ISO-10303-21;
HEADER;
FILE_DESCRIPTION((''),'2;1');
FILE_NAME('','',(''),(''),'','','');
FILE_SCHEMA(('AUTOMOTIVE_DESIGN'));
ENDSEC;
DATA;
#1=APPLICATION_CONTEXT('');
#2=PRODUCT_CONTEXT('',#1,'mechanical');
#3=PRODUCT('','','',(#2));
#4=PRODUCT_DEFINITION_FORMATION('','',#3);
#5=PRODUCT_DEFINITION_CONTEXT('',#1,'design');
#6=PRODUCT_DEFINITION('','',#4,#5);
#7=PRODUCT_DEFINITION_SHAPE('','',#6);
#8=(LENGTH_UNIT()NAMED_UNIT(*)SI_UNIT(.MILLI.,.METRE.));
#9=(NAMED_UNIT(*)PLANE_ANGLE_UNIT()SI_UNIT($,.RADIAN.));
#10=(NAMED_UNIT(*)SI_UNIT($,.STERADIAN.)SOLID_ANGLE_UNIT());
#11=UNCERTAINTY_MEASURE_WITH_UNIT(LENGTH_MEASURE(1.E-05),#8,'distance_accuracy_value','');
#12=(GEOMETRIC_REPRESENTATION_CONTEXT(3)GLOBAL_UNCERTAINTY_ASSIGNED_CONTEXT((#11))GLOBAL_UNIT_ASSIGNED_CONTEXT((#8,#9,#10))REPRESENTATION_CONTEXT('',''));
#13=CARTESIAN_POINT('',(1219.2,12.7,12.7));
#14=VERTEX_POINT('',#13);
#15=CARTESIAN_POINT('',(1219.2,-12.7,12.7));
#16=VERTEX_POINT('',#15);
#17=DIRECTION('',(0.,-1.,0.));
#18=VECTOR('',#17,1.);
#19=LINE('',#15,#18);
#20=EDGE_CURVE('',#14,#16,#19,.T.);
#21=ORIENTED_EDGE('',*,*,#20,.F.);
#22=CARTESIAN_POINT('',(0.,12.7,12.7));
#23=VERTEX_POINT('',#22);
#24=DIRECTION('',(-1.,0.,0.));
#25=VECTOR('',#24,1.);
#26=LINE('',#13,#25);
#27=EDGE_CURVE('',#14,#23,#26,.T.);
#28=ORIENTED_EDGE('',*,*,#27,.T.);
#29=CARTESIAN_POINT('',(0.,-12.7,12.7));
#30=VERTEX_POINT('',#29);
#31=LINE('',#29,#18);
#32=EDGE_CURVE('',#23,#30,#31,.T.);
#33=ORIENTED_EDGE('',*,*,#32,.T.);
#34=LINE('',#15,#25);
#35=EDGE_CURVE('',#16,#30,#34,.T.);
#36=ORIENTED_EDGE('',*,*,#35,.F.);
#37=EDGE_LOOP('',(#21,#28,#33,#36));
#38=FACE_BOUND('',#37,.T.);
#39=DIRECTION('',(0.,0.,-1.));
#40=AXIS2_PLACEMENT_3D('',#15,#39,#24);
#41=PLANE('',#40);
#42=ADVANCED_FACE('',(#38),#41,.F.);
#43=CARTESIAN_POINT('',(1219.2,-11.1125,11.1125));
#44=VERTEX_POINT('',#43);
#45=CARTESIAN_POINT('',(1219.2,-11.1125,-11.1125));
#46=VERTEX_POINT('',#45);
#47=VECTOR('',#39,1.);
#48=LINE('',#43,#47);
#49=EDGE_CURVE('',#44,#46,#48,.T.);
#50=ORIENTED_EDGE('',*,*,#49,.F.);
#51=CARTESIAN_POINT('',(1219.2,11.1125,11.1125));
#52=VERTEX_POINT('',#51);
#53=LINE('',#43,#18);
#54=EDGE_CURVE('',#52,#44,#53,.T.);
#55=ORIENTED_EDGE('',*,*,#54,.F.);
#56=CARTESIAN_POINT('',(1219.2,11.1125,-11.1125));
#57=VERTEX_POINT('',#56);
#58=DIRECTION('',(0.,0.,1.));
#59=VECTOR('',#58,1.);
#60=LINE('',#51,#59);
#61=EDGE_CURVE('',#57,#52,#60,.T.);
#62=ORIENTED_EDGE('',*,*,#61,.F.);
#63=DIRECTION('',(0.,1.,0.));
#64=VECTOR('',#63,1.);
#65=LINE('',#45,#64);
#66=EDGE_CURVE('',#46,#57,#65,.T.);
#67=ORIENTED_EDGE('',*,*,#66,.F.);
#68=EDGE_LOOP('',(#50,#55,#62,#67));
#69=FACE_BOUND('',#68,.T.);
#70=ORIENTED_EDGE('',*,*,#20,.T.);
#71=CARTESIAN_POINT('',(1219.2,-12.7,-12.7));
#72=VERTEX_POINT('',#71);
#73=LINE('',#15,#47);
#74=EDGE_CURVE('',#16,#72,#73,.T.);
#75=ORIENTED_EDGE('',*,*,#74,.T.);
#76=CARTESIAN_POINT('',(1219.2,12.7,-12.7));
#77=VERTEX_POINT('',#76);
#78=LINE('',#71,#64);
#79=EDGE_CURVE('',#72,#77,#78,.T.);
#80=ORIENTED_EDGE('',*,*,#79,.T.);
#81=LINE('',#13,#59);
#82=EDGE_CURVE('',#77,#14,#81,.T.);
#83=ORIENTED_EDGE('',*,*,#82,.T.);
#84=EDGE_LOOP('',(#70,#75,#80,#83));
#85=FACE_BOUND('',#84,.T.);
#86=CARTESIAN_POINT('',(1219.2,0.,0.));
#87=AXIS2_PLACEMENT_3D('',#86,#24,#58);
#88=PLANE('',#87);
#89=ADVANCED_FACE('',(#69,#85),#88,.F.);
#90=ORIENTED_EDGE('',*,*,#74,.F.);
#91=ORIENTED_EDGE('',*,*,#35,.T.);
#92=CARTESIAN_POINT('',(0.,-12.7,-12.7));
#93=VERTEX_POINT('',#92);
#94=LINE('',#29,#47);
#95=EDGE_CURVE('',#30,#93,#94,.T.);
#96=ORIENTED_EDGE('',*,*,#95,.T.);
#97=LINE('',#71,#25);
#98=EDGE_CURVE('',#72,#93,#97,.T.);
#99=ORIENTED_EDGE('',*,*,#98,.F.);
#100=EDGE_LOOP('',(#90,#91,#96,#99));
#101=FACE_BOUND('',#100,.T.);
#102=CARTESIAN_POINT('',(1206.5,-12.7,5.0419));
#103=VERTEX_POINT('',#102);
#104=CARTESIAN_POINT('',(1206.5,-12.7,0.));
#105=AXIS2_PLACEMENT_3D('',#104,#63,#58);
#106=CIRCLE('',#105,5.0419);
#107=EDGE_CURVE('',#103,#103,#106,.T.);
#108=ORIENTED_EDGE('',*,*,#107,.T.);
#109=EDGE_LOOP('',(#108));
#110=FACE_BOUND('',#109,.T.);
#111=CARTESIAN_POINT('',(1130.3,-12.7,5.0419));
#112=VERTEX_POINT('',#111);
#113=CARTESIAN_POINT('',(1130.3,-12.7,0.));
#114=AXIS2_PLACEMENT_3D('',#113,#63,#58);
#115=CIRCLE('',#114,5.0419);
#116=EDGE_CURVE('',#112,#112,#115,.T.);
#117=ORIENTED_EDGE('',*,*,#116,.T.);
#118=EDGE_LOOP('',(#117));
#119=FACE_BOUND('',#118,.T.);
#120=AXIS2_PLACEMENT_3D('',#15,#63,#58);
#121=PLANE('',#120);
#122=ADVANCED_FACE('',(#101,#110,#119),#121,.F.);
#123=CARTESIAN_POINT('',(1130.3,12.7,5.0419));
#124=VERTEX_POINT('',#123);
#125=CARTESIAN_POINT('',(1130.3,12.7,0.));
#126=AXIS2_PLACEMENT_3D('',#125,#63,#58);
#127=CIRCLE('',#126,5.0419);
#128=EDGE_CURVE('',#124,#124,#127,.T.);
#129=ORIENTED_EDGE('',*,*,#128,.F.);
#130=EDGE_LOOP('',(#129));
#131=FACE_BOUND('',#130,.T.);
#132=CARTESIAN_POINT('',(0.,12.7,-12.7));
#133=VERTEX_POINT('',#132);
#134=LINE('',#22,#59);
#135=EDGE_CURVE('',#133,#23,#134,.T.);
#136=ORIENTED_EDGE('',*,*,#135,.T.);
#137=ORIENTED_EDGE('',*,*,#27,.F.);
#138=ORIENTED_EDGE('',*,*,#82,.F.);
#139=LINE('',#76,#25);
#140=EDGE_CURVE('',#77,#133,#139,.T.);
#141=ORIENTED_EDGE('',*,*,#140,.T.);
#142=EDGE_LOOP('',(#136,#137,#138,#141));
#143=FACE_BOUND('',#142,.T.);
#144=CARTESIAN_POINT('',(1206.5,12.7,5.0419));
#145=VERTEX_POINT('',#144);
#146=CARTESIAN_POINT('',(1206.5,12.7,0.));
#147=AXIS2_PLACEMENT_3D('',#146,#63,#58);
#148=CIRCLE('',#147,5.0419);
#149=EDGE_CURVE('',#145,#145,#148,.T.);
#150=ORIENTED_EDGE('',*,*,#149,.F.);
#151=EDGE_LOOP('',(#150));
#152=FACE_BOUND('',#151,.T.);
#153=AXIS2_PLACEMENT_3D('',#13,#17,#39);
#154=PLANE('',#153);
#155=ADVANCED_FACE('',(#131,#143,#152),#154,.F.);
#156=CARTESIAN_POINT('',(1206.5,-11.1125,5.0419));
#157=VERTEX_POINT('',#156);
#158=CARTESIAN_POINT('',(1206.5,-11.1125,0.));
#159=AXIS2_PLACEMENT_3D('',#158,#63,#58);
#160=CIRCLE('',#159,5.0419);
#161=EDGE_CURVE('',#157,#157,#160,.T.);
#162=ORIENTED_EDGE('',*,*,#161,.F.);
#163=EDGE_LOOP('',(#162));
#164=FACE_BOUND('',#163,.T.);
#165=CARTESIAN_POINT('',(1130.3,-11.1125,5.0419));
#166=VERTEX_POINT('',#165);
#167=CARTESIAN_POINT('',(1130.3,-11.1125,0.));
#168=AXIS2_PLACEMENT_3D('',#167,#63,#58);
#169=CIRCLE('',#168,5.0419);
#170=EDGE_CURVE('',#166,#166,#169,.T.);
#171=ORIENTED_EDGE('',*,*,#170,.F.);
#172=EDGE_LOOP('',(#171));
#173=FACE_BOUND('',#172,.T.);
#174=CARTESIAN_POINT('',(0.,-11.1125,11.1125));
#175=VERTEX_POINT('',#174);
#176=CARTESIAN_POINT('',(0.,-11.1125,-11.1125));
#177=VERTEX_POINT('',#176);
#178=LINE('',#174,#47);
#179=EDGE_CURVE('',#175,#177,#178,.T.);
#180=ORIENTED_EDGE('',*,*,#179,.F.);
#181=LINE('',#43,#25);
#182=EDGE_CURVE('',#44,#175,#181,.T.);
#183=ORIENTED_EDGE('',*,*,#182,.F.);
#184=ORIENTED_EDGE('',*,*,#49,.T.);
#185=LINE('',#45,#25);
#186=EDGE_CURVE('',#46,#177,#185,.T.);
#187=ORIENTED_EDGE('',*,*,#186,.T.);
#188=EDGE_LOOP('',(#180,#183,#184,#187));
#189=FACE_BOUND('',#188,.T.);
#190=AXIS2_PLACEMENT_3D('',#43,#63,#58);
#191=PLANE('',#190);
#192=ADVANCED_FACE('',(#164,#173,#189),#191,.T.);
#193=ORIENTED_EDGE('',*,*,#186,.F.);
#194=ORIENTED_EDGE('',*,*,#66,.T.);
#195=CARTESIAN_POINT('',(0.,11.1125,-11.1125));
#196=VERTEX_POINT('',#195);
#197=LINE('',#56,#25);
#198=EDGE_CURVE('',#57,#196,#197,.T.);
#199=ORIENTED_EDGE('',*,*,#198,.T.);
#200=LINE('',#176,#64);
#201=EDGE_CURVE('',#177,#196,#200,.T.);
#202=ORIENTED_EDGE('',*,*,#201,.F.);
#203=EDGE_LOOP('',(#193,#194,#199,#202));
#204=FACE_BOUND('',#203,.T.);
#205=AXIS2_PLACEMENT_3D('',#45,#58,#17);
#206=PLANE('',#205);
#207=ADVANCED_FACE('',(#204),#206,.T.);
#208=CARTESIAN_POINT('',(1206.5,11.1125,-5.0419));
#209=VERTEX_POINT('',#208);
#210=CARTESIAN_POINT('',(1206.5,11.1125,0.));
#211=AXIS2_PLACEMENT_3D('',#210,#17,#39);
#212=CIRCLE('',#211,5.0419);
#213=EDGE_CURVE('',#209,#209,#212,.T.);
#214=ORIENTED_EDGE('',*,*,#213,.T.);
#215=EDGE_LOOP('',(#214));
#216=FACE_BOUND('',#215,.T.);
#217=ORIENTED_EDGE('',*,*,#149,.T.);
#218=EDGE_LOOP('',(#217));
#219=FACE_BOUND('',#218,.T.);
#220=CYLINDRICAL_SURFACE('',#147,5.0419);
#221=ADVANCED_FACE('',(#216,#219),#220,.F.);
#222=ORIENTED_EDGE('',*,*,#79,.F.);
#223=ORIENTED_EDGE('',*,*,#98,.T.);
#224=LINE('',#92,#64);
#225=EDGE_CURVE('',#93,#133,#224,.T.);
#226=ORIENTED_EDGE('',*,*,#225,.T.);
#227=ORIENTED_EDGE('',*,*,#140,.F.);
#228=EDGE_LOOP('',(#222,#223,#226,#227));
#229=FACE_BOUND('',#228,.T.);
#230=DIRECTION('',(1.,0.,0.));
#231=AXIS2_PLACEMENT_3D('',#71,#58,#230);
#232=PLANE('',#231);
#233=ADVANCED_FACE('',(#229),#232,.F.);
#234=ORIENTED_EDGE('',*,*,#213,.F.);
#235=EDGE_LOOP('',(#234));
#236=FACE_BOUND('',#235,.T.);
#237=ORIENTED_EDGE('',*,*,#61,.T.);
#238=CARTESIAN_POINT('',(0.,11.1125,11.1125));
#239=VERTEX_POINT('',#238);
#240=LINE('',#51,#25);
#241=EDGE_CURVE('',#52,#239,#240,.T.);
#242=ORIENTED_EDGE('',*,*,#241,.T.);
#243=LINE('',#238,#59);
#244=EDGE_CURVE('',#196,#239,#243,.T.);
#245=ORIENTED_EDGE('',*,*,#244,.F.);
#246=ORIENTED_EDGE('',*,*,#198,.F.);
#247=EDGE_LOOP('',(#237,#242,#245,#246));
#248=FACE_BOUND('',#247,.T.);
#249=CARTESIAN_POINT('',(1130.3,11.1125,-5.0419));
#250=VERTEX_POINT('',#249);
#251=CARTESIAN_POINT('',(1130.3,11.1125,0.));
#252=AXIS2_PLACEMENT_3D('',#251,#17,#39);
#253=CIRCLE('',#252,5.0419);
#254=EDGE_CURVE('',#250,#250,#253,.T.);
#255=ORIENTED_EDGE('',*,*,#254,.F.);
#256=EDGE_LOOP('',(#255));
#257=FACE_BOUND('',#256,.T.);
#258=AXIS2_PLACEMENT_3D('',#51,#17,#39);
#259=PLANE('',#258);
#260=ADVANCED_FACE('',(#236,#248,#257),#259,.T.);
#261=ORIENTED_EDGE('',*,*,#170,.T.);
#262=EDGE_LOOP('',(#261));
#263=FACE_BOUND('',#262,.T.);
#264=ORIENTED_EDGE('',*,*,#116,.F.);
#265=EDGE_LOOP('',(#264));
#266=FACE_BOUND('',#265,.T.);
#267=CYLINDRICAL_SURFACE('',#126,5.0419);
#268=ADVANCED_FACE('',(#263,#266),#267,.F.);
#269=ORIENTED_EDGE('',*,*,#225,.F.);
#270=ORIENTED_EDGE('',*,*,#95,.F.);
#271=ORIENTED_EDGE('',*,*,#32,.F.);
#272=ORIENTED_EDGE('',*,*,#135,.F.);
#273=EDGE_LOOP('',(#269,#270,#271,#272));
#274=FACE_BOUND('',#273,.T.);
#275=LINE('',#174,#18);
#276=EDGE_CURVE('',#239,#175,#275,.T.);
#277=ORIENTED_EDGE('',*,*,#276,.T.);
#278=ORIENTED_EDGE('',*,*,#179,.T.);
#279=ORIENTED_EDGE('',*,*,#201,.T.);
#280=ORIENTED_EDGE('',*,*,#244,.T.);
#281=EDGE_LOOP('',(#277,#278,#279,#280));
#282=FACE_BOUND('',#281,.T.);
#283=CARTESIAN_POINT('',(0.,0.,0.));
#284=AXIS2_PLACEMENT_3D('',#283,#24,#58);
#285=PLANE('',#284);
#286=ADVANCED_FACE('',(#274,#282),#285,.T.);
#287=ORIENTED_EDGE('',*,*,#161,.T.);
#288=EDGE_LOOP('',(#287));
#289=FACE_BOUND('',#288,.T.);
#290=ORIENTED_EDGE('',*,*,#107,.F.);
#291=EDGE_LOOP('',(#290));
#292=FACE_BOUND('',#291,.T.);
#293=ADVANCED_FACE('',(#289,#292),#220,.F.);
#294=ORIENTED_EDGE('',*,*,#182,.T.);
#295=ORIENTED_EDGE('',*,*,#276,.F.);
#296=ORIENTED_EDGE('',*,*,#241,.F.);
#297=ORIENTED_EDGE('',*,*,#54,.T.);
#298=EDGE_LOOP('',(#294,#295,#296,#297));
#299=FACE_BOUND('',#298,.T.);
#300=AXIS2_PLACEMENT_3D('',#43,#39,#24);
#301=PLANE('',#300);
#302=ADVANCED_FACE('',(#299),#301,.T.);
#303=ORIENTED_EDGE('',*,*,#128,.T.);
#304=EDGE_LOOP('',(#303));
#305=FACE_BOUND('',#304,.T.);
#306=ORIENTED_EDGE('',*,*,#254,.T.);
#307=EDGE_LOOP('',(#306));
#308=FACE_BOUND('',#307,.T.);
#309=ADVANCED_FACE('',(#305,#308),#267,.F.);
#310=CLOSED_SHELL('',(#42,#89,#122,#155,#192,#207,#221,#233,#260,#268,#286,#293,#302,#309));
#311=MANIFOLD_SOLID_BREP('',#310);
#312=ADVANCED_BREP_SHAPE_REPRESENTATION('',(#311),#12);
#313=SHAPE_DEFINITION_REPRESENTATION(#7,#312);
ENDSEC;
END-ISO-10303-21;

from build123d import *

# Parameters (mm, degrees)
SKETCH1_W               = 25.4
SKETCH1_H               = 25.4
SKETCH1_W_2             = 22.225
SKETCH1_H_2             = 22.225
BOSS_EXTRUDE1_DEPTH     = 1219.2
F_3_8_CLEARANCE_HOLE1_D = 10.0838


with BuildPart() as part:
    # Sketch1 → Boss-Extrude1 (new body)
    with BuildSketch(Plane(origin=(0, 0, 0), x_dir=(0, 0, -1), z_dir=(1, 0, 0))):
        Rectangle(SKETCH1_W, SKETCH1_H)
        Rectangle(SKETCH1_W_2, SKETCH1_H_2, mode=Mode.SUBTRACT)
    extrude(amount=BOSS_EXTRUDE1_DEPTH)

    # 3/8 Clearance Hole1 (through all)
    with Locations(Plane(origin=(0, 12.7, 0), x_dir=(1, 0, 0), z_dir=(0, 1, 0))):
        with Locations((1206.5, 0), (1130.3, 0)):
            Hole(F_3_8_CLEARANCE_HOLE1_D / 2)


solid = part.part
